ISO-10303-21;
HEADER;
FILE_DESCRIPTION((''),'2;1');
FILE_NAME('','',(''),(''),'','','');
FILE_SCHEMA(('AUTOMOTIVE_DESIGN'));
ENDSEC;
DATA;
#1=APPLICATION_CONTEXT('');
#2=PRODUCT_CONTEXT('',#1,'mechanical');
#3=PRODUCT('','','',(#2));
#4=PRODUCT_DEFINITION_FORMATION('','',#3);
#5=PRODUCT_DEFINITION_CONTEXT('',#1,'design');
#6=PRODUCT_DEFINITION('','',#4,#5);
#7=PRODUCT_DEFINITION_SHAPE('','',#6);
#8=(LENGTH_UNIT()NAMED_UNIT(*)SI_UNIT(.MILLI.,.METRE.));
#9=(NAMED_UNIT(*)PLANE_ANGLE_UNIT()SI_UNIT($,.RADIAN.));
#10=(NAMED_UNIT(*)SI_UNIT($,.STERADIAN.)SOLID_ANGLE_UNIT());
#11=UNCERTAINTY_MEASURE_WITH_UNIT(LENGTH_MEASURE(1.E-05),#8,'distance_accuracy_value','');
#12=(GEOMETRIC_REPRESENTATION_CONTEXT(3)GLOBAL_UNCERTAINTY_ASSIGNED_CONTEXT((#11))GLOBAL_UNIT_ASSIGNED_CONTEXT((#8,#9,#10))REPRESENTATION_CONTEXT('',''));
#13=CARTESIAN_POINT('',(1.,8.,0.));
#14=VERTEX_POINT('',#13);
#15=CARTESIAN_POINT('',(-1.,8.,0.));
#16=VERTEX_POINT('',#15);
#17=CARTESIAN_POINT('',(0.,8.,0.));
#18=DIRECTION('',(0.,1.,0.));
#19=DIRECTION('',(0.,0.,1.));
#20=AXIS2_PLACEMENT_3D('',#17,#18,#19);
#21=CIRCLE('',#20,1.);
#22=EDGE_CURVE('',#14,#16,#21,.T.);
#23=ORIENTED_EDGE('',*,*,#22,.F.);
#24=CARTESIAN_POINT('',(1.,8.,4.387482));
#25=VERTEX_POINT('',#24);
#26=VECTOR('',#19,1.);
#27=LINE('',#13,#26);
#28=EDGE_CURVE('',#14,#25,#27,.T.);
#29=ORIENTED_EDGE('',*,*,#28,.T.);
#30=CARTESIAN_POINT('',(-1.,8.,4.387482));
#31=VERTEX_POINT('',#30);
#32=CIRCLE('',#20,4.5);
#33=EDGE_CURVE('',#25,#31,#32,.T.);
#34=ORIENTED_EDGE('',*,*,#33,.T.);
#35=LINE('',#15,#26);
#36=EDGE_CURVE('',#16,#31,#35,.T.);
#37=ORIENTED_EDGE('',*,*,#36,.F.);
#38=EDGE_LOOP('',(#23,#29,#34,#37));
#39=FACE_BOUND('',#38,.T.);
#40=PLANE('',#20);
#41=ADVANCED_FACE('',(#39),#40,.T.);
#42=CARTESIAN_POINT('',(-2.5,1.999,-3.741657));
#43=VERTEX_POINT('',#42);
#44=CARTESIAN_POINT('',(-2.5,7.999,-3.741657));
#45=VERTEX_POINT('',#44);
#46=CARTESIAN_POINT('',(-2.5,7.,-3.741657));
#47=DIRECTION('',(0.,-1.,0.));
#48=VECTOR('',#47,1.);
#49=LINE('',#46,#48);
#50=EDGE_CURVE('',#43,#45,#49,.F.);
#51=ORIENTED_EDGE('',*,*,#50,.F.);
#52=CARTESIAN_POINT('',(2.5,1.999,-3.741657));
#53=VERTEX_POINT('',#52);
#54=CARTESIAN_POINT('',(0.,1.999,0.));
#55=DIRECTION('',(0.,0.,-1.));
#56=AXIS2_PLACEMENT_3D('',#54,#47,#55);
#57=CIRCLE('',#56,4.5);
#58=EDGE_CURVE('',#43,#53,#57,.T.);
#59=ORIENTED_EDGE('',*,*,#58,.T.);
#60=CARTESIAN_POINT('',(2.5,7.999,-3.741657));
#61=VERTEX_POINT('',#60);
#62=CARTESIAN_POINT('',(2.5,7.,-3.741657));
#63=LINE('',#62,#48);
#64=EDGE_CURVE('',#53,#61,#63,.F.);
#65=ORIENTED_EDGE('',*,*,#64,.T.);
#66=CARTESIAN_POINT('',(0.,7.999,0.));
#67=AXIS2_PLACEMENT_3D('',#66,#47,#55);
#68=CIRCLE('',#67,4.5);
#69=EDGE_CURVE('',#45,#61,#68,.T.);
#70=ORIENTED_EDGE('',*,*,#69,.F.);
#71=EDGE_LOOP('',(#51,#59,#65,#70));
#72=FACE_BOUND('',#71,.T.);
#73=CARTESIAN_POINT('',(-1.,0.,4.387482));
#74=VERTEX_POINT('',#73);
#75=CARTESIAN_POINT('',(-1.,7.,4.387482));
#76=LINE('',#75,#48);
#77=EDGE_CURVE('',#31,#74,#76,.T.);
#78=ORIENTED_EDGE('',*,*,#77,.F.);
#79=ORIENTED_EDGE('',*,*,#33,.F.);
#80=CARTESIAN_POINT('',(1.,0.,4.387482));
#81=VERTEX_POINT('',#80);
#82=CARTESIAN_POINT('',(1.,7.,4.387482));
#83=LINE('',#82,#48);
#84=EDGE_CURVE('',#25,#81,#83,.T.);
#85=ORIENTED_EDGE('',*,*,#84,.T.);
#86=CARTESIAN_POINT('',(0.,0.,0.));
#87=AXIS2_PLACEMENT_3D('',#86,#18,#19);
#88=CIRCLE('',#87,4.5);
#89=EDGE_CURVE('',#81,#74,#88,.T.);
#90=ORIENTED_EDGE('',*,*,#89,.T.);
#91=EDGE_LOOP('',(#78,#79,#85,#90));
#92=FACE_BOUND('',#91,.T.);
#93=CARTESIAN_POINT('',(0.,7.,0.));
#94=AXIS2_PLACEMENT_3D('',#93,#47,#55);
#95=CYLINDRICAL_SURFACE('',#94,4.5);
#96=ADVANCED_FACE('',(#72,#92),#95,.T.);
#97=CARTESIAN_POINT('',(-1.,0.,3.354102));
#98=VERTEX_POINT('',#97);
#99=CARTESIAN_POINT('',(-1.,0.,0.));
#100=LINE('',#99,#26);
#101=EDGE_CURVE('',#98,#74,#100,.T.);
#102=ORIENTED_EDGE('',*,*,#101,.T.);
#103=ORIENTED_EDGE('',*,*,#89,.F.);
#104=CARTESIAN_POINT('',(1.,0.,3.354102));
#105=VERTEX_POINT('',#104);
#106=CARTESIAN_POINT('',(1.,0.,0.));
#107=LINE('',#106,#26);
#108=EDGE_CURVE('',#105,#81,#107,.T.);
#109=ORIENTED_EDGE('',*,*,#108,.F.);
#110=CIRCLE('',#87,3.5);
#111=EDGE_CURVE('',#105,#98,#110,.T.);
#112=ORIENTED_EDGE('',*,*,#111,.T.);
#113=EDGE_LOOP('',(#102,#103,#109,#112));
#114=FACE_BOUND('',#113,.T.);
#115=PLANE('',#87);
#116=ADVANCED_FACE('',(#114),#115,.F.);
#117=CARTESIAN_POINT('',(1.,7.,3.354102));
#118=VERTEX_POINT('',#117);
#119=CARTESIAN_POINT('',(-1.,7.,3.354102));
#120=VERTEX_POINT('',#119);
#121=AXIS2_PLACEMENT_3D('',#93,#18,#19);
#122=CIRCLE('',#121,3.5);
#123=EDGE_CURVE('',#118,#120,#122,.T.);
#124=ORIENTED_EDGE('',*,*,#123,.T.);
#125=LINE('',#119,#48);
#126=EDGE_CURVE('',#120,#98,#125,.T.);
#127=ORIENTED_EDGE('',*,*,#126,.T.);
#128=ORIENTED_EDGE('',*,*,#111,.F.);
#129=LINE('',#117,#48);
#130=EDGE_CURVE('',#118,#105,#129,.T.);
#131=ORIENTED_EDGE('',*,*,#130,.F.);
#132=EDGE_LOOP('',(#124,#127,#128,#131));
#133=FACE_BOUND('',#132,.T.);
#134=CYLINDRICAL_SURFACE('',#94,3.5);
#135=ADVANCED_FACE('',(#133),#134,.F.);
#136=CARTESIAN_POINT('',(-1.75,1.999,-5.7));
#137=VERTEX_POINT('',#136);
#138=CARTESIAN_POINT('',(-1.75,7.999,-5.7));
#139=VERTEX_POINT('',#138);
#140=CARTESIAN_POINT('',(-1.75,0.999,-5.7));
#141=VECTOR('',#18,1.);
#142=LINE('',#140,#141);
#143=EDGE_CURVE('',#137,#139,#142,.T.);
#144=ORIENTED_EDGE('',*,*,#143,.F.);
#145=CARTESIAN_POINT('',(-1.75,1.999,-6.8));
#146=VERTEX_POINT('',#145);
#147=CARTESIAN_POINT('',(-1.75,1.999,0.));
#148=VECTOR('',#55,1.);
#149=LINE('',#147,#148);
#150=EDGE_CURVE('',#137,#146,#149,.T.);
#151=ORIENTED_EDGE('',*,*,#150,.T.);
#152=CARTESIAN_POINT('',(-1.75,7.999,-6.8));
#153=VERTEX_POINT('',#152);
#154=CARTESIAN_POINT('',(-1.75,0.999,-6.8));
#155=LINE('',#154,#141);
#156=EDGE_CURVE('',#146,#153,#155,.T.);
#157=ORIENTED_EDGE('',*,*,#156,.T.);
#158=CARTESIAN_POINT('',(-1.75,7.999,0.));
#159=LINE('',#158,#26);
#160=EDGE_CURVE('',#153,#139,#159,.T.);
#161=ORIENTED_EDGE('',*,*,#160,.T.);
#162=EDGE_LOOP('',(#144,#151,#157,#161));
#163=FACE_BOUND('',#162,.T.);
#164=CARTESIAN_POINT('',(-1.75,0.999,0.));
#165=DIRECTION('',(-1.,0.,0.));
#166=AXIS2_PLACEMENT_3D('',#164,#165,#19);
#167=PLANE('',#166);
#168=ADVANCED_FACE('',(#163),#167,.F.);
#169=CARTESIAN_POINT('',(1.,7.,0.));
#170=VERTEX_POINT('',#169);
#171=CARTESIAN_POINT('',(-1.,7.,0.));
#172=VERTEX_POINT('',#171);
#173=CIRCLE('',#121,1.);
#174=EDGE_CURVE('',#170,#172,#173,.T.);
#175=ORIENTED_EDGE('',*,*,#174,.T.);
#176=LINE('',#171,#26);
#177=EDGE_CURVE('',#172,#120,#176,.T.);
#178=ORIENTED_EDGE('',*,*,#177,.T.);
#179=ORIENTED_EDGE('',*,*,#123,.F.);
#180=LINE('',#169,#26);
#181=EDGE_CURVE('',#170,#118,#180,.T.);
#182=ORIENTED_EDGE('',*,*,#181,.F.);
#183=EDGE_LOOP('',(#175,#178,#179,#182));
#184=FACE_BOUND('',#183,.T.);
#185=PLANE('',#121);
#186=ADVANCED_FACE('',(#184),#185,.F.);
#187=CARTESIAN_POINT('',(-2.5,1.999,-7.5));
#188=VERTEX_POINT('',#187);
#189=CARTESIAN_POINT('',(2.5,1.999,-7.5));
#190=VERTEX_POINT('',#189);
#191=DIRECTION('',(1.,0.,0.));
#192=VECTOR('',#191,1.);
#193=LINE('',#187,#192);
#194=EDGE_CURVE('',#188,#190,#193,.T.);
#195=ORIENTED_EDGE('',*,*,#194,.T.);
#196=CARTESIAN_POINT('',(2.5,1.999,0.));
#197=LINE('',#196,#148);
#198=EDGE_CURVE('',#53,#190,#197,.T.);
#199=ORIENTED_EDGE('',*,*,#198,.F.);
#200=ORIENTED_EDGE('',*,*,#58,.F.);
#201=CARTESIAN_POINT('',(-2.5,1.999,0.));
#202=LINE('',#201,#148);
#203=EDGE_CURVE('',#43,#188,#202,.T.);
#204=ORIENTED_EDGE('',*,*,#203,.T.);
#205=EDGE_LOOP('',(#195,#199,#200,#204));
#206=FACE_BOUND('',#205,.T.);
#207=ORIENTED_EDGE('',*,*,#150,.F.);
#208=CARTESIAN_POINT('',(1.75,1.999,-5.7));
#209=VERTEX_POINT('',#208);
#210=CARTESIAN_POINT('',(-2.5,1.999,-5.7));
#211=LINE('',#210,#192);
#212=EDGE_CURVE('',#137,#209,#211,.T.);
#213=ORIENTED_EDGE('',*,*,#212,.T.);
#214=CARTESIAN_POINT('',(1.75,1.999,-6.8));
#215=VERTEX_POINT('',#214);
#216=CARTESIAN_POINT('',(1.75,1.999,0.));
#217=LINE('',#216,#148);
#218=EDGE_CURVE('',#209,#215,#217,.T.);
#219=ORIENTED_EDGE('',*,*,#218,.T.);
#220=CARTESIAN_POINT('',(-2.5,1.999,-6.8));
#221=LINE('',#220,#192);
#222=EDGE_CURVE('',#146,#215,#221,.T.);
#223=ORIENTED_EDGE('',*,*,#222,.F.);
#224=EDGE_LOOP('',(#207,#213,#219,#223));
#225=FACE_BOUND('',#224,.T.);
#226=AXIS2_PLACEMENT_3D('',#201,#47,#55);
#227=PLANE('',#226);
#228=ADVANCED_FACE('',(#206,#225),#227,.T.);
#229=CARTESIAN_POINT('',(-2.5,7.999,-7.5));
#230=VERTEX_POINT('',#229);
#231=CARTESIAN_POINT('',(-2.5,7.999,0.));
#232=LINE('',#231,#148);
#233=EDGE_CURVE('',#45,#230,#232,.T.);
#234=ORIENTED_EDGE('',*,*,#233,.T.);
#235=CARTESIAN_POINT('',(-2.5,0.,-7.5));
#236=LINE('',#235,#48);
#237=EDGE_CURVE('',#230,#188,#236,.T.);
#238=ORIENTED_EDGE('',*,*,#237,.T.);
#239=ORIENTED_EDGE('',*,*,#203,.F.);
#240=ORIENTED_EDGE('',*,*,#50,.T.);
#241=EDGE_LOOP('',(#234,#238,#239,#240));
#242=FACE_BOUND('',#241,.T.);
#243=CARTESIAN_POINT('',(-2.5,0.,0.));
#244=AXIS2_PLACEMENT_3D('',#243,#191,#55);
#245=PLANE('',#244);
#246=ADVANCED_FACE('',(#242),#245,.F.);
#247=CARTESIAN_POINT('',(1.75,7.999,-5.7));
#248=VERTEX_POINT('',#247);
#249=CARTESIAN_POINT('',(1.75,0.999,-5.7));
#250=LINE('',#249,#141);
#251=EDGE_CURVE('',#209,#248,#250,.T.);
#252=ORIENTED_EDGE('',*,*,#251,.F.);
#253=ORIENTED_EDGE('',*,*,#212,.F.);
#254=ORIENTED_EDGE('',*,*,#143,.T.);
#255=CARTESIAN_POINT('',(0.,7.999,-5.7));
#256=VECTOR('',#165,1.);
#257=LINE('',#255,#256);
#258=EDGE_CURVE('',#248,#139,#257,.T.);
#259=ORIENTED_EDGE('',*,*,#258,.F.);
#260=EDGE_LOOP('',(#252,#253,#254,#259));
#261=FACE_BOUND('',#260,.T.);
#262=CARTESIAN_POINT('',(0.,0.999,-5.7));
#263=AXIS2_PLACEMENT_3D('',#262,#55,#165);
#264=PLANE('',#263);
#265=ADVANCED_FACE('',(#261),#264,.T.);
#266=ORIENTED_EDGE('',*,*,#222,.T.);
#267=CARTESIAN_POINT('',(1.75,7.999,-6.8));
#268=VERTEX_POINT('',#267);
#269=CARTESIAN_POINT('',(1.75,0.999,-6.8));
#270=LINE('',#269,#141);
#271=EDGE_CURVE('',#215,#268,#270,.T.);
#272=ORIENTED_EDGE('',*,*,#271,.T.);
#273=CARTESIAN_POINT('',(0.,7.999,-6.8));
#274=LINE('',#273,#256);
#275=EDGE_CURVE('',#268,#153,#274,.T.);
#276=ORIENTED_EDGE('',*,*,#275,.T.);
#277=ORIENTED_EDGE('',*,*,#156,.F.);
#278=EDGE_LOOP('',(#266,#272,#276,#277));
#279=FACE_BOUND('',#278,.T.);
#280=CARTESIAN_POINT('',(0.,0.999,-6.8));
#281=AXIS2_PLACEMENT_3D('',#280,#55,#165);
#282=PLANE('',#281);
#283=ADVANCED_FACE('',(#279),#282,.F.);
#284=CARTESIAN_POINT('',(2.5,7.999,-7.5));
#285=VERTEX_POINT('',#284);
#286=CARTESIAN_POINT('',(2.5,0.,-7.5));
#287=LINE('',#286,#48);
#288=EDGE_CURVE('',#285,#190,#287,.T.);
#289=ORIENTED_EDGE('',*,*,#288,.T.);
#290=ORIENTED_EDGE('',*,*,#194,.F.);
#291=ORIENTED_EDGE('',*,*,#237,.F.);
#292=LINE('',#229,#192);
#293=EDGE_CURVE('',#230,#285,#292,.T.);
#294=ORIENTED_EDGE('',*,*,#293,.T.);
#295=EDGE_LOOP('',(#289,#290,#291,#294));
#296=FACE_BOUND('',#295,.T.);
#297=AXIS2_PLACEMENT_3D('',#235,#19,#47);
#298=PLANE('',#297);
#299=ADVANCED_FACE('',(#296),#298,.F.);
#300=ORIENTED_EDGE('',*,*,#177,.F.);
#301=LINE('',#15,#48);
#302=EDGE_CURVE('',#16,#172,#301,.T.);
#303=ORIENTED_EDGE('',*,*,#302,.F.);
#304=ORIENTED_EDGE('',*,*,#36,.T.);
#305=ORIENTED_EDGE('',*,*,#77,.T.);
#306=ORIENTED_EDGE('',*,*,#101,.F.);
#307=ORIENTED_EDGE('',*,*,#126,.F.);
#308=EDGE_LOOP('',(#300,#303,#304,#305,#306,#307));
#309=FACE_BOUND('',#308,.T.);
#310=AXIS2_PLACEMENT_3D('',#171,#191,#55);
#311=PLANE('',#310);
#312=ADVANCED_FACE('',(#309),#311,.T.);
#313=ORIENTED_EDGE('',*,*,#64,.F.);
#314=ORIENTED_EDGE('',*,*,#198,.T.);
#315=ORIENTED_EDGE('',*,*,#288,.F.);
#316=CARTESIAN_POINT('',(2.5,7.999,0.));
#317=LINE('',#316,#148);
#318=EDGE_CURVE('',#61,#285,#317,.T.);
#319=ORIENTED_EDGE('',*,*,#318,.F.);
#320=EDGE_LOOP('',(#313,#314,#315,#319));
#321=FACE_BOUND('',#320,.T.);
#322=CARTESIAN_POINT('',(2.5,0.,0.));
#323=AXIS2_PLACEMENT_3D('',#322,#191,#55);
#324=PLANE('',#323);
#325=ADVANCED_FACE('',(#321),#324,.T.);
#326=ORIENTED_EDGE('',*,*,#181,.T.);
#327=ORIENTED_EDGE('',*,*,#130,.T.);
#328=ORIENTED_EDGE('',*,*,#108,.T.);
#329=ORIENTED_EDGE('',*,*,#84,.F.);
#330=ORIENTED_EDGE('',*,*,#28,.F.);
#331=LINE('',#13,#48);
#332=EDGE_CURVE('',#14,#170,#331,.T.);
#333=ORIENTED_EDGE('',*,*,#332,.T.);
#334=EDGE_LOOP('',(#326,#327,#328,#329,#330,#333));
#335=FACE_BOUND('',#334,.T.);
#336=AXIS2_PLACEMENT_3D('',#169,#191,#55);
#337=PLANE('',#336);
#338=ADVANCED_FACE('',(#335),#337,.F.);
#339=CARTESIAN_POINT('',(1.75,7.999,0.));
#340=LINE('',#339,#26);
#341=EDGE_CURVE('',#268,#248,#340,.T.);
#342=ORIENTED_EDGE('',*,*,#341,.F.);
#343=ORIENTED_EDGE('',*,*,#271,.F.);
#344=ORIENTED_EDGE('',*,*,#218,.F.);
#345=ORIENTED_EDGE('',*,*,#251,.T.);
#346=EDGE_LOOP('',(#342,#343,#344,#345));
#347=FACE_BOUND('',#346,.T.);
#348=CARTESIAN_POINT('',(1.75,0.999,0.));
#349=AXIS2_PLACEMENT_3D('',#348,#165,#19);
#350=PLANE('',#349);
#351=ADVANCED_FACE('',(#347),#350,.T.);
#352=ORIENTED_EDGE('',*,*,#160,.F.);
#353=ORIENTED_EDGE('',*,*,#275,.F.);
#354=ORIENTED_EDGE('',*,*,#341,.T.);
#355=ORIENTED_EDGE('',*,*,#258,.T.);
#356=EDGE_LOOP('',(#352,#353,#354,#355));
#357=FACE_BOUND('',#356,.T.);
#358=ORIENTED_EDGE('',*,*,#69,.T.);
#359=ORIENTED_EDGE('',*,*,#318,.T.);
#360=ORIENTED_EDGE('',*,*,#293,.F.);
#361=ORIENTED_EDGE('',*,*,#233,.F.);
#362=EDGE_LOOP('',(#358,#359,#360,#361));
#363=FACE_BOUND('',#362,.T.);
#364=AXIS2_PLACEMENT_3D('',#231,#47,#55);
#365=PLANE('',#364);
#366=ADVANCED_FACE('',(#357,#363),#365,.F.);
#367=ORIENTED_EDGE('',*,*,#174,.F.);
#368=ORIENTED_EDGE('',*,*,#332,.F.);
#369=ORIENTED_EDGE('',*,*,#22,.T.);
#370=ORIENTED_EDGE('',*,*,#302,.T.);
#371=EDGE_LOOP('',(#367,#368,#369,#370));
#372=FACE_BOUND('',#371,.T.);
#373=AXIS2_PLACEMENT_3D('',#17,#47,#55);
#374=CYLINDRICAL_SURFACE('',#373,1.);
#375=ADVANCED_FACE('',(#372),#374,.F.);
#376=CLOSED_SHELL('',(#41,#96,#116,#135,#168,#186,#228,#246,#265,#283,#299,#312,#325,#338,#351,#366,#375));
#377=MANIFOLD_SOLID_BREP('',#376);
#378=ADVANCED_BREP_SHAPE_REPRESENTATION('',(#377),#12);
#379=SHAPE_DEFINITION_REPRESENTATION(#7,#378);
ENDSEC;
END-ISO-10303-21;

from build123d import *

# Parameters (mm, degrees)
BOSS_EXTRUDE1_DEPTH      = 7
BOSS_EXTRUDE2_DEPTH      = 1
BOSS_EXTRUDE3_DEPTH      = 2.5
BOSS_EXTRUDE3_DEPTH_BACK = 2.5
CUT_EXTRUDE1_DEPTH       = 7


with BuildPart() as part:
    # Sketch1 → Boss-Extrude1 (new body)
    with BuildSketch(Plane(origin=(0, 0, 0), x_dir=(1, 0, 0), z_dir=(0, 1, 0))):
        with BuildLine():
            Line((-1, -4.387482194), (-1, -3.354101966))
            ThreePointArc((-1, -3.354101966), (-2.091650066, 2.80624304), (3.5, 0))
            ThreePointArc((3.5, 0), (2.80624304, -2.091650066), (1, -3.354101966))
            Line((1, -3.354101966), (1, -4.387482194))
            ThreePointArc((1, -4.387482194), (3.51781182, -2.80624304), (4.5, 0))
            ThreePointArc((4.5, 0), (-2.80624304, 3.51781182), (-1, -4.387482194))
        make_face()
    extrude(amount=BOSS_EXTRUDE1_DEPTH)

    # Sketch2 → Boss-Extrude2 (add)
    with BuildSketch(Plane(origin=(0, 7, 0), x_dir=(1, 0, 0), z_dir=(0, 1, 0))):
        with BuildLine():
            Line((-1, -3.354101966), (-1, 0))
            ThreePointArc((-1, 0), (0, 1), (1, 0))
            Line((1, 0), (1, -3.354101966))
            ThreePointArc((1, -3.354101966), (0, 3.5), (-1, -3.354101966))
        make_face()
        with BuildLine():
            ThreePointArc((-1, -3.354101966), (0, 3.5), (1, -3.354101966))
            Line((1, -3.354101966), (1, -4.387482194))
            ThreePointArc((1, -4.387482194), (0, 4.5), (-1, -4.387482194))
            Line((-1, -4.387482194), (-1, -3.354101966))
        make_face()
    extrude(amount=BOSS_EXTRUDE2_DEPTH)

    # Sketch3 → Boss-Extrude3 (add, two sides: drawn at the far end of the back side and taken through both)
    with BuildSketch(Plane(origin=(0, 0, 0), x_dir=(0, 0, -1), z_dir=(1, 0, 0)).offset(-BOSS_EXTRUDE3_DEPTH_BACK)):
        Polygon((7.5, 7.999), (4.5, 7.999), (3.5, 7.999), (3.5, 1.999), (7.5, 1.999), align=None)
    extrude(amount=BOSS_EXTRUDE3_DEPTH + BOSS_EXTRUDE3_DEPTH_BACK)

    # Sketch4 → Cut-Extrude1 (cut)
    with BuildSketch(Plane(origin=(0, 7.999, 0), x_dir=(1, 0, 0), z_dir=(0, 1, 0))):
        Polygon((1.75, 6.8), (0, 6.8), (-1.75, 6.8), (-1.75, 5.7), (1.75, 5.7), align=None)
    extrude(amount=-CUT_EXTRUDE1_DEPTH, mode=Mode.SUBTRACT)


solid = part.part
